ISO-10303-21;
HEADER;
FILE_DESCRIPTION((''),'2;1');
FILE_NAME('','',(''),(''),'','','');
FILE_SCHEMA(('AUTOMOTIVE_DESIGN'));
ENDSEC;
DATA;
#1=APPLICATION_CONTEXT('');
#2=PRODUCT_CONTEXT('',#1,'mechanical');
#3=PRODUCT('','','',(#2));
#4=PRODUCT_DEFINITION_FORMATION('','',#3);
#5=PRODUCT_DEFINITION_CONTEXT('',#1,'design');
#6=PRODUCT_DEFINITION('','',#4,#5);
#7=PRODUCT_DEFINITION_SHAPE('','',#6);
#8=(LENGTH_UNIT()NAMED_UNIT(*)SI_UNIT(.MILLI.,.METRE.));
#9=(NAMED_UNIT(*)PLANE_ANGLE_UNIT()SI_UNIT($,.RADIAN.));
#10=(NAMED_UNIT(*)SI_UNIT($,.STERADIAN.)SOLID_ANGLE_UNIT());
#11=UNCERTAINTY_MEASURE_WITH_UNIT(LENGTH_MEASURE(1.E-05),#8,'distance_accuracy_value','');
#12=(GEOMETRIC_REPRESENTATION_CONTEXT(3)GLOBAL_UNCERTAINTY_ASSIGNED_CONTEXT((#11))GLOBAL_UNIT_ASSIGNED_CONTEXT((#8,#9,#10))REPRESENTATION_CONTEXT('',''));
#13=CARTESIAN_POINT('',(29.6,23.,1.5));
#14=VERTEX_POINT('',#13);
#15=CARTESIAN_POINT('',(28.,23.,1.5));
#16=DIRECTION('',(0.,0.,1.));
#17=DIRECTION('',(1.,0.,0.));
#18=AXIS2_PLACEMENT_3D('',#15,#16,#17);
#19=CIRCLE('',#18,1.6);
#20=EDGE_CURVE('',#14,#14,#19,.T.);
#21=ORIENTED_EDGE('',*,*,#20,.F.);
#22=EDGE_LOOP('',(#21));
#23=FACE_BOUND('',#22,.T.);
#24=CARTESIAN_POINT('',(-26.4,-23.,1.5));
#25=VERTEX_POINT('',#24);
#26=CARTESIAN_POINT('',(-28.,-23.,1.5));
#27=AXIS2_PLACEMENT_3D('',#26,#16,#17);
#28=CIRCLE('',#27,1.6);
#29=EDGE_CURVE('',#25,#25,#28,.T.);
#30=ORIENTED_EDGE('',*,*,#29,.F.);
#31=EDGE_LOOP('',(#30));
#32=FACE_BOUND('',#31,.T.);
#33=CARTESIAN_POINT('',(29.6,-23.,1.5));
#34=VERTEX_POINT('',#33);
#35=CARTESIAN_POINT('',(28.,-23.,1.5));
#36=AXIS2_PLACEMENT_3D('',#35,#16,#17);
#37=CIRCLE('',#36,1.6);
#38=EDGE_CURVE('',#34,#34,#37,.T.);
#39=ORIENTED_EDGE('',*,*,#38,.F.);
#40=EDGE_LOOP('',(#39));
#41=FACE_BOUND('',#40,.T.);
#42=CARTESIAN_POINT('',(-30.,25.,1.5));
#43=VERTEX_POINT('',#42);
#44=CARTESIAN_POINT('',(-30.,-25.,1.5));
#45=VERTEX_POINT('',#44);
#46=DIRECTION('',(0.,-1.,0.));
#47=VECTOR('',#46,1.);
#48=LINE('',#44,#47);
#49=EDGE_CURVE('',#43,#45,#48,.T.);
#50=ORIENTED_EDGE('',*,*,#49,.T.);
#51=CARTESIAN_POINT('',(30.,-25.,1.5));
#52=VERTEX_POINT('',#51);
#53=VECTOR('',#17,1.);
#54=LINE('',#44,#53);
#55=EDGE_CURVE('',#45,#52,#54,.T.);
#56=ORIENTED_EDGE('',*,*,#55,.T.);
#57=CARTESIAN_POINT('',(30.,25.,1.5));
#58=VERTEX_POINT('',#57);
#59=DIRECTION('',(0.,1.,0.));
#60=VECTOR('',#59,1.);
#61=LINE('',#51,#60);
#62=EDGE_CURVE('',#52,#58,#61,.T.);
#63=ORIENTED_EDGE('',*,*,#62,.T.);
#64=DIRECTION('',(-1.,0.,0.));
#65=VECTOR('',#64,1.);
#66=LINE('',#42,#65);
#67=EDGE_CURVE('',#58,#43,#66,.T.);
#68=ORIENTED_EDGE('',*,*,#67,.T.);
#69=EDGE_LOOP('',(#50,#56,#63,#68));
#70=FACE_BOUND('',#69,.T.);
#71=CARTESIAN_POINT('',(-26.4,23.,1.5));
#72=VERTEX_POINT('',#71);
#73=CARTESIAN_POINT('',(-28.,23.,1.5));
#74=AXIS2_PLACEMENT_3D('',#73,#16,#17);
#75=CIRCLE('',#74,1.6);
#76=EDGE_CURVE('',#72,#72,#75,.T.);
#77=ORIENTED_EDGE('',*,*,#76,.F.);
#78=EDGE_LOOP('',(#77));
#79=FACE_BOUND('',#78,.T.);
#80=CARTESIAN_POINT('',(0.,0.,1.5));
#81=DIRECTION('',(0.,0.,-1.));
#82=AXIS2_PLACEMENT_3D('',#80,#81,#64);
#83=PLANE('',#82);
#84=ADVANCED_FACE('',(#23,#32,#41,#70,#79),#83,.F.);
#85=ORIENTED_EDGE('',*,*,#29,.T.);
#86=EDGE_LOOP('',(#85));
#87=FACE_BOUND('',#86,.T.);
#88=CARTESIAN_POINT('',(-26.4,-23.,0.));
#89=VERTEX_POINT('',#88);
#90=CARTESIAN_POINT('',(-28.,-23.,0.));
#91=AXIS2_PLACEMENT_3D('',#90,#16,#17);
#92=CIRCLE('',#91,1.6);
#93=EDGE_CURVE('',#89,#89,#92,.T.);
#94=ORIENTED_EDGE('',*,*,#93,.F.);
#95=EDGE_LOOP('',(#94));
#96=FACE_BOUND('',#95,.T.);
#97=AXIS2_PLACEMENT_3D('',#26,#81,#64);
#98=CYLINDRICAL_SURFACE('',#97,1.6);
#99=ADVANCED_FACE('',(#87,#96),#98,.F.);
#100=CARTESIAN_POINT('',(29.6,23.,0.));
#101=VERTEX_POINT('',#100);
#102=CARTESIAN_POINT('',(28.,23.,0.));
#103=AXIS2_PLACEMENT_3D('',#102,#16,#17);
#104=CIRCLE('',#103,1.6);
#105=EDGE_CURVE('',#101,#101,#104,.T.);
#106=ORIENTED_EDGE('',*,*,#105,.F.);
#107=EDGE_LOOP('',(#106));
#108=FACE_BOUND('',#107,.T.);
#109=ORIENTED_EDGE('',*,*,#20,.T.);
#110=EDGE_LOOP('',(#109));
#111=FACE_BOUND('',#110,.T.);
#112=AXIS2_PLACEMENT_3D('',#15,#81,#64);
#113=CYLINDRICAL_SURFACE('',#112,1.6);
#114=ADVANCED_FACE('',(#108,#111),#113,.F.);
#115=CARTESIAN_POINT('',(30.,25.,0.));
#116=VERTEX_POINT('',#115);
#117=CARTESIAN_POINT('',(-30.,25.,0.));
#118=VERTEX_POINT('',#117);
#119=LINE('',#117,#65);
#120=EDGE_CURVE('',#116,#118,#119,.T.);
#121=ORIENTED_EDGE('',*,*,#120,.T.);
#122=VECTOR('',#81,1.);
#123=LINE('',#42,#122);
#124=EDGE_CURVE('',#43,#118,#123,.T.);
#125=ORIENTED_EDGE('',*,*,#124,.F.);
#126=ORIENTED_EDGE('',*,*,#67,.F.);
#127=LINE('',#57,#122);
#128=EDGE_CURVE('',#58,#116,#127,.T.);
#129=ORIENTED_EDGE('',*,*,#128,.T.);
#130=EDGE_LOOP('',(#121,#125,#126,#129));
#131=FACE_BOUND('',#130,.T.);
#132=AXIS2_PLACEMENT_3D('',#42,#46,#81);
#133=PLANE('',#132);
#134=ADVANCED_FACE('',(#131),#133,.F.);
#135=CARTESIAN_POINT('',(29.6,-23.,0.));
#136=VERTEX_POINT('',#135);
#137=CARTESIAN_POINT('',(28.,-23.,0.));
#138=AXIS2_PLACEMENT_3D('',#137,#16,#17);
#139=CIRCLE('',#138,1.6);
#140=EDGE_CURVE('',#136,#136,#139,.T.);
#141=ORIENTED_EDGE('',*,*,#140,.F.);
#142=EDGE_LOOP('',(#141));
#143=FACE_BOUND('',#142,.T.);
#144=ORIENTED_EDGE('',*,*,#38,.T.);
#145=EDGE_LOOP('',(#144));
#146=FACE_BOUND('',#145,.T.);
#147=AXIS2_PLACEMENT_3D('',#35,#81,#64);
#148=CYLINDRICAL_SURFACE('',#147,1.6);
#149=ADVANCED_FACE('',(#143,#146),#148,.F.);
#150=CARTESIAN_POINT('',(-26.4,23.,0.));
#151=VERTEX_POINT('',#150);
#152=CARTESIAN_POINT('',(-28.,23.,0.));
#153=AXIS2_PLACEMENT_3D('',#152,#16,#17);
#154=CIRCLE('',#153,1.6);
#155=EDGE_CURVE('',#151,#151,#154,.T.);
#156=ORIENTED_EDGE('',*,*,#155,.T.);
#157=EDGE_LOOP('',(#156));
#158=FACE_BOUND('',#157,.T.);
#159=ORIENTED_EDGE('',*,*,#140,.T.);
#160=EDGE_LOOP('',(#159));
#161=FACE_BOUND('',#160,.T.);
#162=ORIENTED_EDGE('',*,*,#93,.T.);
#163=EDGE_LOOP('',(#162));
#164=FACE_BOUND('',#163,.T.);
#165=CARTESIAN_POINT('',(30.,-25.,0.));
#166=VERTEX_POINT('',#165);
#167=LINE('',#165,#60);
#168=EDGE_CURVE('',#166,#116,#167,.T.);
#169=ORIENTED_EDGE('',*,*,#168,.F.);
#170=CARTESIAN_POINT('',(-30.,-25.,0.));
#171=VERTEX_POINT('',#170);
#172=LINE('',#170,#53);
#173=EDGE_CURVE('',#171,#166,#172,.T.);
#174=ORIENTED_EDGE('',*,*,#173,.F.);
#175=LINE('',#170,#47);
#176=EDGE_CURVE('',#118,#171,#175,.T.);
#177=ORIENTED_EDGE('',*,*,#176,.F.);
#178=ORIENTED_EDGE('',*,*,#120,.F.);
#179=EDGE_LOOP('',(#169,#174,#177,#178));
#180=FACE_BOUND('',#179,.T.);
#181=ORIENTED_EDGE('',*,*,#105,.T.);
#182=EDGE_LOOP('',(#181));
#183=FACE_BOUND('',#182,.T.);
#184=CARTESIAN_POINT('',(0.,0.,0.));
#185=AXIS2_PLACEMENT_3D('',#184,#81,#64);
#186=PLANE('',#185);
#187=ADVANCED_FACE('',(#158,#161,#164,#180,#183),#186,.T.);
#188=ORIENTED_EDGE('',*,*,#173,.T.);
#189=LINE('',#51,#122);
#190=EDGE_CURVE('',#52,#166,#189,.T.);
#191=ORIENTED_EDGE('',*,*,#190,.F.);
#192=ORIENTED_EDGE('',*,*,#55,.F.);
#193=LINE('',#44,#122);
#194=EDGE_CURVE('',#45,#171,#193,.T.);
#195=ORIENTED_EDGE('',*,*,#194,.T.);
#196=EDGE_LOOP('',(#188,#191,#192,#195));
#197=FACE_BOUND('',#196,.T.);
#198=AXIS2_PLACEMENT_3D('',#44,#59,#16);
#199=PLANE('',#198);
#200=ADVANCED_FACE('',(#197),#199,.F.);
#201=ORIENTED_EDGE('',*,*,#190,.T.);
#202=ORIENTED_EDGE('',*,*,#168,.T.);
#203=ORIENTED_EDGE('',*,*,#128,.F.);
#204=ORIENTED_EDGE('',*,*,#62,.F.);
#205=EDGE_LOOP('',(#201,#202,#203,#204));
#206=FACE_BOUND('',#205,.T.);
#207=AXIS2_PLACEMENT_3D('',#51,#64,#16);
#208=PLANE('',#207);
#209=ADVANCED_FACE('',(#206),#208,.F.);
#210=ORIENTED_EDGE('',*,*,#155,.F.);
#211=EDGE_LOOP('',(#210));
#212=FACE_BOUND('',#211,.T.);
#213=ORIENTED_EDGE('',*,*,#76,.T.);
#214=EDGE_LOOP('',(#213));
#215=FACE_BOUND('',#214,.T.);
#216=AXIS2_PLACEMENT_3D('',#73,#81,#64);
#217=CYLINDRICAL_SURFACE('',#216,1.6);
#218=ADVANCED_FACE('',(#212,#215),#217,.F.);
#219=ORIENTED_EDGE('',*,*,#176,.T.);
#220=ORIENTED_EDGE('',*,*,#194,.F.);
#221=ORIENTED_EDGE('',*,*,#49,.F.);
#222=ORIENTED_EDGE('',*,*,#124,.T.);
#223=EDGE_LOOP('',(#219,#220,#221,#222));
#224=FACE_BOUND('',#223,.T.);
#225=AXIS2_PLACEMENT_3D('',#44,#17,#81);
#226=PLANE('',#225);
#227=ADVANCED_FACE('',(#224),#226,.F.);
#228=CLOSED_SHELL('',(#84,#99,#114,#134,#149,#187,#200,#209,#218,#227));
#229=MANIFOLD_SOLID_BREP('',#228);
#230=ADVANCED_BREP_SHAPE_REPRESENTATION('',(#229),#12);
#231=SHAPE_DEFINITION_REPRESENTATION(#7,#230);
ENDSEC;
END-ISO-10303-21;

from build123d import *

# Parameters (mm, degrees)
SKETCH_1_W      = 60
SKETCH_1_H      = 50
SKETCH_1_R      = 1.6
EXTRUDE_1_DEPTH = 1.5


with BuildPart() as part:
    # 草图1 → 凸台-拉伸1 (new body)
    with BuildSketch(Plane.XY):
        Rectangle(SKETCH_1_W, SKETCH_1_H)
        with Locations((28, 23)):
            Circle(SKETCH_1_R, mode=Mode.SUBTRACT)
        with Locations((28, -23)):
            Circle(SKETCH_1_R, mode=Mode.SUBTRACT)
        with Locations((-28, 23)):
            Circle(SKETCH_1_R, mode=Mode.SUBTRACT)
        with Locations((-28, -23)):
            Circle(SKETCH_1_R, mode=Mode.SUBTRACT)
    extrude(amount=EXTRUDE_1_DEPTH)


solid = part.part
